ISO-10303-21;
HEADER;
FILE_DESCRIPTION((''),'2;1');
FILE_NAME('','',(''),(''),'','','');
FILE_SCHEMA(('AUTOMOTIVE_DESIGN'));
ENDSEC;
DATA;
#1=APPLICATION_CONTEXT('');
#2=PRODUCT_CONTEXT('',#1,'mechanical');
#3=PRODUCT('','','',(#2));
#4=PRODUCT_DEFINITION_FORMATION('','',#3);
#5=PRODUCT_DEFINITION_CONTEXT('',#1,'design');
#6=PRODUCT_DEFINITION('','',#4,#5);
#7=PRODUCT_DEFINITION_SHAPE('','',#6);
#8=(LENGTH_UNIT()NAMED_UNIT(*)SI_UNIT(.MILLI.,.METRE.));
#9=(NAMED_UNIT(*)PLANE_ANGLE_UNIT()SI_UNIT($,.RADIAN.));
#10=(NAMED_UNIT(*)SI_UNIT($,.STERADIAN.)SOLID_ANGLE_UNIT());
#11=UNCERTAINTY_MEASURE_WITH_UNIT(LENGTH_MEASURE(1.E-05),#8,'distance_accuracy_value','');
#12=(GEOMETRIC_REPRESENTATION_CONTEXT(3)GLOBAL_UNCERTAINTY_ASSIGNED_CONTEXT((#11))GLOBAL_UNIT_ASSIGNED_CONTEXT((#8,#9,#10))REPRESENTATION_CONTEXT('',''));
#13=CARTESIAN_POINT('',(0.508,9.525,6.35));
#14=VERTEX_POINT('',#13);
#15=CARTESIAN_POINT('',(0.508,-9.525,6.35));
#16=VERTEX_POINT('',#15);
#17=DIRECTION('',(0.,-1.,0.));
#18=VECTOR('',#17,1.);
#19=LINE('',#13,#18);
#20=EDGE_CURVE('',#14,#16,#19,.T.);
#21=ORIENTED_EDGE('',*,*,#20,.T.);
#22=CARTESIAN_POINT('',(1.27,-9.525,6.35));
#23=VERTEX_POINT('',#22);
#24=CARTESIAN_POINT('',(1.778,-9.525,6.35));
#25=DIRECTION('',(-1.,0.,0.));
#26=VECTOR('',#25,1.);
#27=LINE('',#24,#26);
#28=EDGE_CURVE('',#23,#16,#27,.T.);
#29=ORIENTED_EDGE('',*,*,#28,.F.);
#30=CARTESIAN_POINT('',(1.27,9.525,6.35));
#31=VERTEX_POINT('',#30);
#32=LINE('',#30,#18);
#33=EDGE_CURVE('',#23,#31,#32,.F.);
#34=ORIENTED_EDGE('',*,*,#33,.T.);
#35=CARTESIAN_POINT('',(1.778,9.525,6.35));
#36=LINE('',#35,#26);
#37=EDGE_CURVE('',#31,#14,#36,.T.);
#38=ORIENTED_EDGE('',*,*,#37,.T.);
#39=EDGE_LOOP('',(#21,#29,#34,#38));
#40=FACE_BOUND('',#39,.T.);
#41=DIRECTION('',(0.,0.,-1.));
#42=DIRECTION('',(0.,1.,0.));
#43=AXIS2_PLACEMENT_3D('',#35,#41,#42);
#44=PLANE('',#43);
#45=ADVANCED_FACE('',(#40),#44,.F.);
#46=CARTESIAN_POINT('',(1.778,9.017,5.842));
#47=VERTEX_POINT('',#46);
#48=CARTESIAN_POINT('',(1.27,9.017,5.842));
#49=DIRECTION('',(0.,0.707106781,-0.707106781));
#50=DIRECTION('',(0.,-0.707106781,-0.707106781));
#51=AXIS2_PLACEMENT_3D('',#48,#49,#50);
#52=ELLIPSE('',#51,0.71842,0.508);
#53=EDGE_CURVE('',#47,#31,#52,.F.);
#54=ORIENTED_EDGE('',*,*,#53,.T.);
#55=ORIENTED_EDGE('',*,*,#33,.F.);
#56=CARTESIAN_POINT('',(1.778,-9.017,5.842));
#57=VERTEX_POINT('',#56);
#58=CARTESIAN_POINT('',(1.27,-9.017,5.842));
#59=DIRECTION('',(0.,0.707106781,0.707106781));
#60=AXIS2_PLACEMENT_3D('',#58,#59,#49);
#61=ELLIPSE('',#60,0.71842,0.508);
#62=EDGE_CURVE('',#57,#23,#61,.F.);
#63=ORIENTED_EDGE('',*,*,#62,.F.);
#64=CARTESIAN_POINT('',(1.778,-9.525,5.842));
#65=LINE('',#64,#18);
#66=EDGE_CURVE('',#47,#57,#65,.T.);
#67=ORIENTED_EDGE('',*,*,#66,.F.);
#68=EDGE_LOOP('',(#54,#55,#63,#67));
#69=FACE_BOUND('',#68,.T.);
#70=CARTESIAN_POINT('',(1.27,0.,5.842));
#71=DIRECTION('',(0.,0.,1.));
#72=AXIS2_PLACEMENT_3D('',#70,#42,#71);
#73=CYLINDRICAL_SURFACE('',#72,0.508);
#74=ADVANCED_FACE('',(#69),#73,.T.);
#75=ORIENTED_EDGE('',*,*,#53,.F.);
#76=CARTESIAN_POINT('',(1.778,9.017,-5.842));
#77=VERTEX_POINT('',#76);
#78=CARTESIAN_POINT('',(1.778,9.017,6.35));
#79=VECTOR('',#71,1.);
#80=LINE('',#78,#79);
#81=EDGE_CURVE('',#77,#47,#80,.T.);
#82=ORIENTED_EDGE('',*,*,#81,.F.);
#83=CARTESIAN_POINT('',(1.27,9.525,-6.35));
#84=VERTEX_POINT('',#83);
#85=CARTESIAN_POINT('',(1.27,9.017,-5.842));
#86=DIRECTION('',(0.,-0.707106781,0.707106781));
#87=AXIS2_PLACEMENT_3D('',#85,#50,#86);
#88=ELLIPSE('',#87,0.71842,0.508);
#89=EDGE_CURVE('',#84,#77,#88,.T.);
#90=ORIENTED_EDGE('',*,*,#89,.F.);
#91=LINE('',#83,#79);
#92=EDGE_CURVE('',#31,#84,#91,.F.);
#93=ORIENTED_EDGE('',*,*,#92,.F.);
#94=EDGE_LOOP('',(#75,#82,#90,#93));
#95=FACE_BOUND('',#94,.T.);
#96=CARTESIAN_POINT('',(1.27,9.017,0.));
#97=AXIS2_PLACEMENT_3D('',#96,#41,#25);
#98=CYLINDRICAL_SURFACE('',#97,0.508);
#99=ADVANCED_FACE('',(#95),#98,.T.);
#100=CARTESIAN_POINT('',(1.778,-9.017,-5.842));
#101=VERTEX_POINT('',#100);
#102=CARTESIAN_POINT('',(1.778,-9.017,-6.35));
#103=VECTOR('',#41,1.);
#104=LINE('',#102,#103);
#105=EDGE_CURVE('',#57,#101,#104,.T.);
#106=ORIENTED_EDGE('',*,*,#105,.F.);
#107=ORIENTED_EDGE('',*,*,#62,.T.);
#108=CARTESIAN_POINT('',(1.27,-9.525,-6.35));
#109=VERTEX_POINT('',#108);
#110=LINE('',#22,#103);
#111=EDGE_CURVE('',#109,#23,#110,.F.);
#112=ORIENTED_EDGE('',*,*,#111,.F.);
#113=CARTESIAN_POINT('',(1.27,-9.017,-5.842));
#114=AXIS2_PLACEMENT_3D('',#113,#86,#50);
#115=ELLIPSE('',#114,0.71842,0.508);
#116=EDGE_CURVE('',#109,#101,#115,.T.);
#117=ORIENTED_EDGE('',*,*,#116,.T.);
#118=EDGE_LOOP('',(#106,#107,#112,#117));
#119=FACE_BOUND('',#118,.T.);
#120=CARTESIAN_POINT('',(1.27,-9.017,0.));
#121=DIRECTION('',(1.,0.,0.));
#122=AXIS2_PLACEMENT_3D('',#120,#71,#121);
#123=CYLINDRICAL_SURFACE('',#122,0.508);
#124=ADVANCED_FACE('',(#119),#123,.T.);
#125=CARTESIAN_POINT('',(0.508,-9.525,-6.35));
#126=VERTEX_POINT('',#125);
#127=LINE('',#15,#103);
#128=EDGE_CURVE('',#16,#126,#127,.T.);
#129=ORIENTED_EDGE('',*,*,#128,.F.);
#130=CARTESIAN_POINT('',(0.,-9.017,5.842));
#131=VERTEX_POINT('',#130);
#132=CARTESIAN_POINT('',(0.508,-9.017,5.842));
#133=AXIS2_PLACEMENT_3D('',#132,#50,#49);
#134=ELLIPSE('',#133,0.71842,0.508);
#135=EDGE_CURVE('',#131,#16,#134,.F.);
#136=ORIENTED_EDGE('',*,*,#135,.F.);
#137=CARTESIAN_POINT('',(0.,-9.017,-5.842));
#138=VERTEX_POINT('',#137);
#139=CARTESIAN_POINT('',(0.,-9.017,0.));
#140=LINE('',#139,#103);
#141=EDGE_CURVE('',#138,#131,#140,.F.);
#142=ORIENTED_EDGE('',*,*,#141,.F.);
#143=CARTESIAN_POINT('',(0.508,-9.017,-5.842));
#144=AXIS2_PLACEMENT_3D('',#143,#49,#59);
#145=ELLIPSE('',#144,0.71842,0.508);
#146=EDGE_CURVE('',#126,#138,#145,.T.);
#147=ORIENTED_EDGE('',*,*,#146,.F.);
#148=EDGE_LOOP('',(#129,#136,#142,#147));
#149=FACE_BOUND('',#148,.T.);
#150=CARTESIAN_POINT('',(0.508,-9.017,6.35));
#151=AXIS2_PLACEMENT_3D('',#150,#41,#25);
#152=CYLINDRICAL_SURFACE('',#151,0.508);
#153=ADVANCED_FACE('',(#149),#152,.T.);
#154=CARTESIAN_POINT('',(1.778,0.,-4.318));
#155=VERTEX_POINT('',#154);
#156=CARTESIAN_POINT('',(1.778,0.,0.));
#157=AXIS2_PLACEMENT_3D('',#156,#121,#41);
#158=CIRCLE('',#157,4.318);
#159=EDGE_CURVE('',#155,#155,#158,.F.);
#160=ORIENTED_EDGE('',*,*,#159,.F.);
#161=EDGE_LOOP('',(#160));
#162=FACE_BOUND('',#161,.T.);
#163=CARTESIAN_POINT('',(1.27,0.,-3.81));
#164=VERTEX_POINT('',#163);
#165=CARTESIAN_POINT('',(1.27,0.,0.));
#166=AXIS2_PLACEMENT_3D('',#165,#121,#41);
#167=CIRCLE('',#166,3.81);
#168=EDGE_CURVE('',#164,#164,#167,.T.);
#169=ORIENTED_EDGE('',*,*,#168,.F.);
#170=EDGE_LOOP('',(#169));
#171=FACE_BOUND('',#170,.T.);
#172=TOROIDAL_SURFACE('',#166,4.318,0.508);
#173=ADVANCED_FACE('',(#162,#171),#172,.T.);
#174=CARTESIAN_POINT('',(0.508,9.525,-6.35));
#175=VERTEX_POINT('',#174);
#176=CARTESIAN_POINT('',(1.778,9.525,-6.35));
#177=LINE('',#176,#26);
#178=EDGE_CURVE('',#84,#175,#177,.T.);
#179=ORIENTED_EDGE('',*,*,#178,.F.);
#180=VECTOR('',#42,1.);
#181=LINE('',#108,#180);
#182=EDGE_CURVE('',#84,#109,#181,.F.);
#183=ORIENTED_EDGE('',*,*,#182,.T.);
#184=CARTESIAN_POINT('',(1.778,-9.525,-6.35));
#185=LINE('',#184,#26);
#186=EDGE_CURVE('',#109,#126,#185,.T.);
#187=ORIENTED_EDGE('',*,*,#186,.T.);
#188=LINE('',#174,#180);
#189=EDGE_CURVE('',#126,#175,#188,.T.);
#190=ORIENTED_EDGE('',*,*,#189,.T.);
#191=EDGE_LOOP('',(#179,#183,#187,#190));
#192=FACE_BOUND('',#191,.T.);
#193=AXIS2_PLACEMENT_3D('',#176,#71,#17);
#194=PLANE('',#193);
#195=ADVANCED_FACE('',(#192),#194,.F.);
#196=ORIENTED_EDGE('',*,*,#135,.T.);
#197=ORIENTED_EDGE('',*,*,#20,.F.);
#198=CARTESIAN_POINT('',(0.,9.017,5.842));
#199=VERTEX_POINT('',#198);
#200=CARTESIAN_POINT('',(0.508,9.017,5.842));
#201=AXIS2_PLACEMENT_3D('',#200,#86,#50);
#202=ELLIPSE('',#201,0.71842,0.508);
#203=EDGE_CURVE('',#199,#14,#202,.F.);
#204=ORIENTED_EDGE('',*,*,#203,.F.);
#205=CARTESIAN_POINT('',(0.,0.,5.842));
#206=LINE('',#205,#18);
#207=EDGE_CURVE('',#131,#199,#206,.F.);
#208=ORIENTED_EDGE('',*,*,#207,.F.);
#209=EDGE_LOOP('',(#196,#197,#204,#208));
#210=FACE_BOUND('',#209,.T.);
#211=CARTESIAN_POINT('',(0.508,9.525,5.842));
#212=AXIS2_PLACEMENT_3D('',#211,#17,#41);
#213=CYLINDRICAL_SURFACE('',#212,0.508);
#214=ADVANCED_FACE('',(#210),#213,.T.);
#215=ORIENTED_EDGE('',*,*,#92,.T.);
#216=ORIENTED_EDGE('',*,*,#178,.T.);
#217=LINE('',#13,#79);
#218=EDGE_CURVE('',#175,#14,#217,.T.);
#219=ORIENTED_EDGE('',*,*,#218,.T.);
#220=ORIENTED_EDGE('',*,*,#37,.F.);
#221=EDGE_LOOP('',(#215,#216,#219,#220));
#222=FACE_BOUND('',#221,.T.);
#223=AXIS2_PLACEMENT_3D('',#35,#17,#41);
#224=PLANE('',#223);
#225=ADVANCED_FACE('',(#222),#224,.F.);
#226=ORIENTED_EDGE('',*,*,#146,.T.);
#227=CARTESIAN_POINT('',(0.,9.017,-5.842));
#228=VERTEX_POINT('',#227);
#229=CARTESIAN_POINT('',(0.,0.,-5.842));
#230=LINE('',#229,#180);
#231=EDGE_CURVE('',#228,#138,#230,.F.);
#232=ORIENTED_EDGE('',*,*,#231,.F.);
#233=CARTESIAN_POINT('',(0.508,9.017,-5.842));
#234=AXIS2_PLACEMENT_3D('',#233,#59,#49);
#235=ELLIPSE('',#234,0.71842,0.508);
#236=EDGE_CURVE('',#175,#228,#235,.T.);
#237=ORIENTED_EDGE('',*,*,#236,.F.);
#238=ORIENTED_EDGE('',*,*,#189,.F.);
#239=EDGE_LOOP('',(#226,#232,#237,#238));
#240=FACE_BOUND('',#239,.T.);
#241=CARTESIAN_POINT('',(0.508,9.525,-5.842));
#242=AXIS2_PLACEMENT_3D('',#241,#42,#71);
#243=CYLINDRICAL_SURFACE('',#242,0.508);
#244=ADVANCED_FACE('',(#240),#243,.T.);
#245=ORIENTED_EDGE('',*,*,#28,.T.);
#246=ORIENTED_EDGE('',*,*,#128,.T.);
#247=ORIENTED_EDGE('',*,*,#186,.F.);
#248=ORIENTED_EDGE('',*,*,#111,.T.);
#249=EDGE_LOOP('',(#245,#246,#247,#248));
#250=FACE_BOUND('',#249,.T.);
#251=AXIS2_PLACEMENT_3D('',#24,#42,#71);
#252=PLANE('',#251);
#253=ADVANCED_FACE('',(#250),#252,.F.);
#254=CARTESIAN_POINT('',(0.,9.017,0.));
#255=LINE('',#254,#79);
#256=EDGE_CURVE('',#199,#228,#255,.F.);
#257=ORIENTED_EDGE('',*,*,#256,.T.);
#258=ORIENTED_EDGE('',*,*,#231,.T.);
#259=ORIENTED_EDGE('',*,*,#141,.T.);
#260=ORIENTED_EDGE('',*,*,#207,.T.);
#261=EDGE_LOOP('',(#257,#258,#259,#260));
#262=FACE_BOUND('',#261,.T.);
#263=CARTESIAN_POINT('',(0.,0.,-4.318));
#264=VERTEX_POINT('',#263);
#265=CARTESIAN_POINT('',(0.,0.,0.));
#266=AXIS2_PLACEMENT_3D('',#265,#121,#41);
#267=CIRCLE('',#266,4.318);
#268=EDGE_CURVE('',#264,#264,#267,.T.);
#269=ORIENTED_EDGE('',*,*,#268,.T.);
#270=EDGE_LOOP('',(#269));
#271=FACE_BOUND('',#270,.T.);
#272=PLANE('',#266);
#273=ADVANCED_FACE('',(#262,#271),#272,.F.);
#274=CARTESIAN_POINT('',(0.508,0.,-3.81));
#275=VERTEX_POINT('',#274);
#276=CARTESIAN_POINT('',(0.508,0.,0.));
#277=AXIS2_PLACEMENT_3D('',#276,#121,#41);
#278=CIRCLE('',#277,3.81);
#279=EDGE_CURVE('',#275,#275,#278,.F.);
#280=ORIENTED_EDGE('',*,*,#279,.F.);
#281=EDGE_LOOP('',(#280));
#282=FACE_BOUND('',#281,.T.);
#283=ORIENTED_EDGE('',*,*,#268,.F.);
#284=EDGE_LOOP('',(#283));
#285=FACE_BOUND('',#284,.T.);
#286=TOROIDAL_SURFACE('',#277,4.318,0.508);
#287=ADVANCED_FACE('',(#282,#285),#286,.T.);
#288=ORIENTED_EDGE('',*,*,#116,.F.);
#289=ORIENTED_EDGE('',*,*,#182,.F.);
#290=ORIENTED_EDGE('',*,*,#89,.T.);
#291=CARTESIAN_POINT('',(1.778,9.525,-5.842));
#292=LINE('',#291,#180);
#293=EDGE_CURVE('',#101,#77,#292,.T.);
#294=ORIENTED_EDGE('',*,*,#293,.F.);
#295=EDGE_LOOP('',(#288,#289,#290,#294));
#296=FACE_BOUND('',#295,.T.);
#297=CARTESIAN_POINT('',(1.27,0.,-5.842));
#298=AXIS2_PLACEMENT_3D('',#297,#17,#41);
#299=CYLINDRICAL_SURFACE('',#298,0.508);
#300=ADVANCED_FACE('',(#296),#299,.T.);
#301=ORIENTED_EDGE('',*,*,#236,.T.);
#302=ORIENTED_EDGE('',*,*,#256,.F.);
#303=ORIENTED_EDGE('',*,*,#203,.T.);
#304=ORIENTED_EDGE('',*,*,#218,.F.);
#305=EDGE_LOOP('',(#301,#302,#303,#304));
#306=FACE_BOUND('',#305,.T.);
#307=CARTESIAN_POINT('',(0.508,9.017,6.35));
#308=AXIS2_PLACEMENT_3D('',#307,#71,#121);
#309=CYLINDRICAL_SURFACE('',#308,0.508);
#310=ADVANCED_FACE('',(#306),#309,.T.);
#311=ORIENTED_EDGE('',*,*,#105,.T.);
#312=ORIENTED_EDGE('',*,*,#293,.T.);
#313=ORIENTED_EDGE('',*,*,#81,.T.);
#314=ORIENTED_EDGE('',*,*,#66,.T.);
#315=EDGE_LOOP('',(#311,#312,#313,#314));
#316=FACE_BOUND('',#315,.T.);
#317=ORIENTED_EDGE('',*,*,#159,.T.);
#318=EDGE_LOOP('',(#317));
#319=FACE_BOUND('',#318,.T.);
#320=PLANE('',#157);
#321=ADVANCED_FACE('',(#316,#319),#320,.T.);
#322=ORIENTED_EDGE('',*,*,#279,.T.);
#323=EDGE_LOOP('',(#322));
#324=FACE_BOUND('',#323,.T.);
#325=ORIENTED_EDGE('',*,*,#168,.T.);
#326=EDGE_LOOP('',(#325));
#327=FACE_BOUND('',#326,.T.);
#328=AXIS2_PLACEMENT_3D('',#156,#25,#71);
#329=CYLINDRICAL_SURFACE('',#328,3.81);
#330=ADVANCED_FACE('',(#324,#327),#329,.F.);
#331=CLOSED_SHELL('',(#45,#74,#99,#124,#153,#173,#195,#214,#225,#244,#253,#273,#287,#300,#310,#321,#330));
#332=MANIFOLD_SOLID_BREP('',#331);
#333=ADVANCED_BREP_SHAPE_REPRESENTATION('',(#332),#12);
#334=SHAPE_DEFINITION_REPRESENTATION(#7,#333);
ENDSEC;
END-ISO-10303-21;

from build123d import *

# Parameters (mm, degrees)
SKETCH1_W           = 12.7
SKETCH1_H           = 19.05
SKETCH1_R           = 3.81
BOSS_EXTRUDE1_DEPTH = 1.778
FILLET1_R           = 0.508


with BuildPart() as part:
    # Sketch1 → Boss-Extrude1 (new body)
    with BuildSketch(Plane(origin=(0, 0, 0), x_dir=(0, 0, -1), z_dir=(1, 0, 0))):
        Rectangle(SKETCH1_W, SKETCH1_H)
        Circle(SKETCH1_R, mode=Mode.SUBTRACT)
    extrude(amount=BOSS_EXTRUDE1_DEPTH)

    # Fillet1
    fillet1_edges = [part.edges().sort_by_distance(p)[0] for p in [
        (0, 0, 3.81),
        (1.778, 0, 3.81),
        (1.778, 0, 6.35),
        (1.778, -9.525, 0),
        (1.778, 0, -6.35),
        (0, -9.525, 0),
        (0, 0, 6.35),
        (0, 9.525, 0),
        (0, 0, -6.35),
        (1.778, 9.525, 0),
    ]]
    fillet(fillet1_edges, radius=FILLET1_R)


solid = part.part
